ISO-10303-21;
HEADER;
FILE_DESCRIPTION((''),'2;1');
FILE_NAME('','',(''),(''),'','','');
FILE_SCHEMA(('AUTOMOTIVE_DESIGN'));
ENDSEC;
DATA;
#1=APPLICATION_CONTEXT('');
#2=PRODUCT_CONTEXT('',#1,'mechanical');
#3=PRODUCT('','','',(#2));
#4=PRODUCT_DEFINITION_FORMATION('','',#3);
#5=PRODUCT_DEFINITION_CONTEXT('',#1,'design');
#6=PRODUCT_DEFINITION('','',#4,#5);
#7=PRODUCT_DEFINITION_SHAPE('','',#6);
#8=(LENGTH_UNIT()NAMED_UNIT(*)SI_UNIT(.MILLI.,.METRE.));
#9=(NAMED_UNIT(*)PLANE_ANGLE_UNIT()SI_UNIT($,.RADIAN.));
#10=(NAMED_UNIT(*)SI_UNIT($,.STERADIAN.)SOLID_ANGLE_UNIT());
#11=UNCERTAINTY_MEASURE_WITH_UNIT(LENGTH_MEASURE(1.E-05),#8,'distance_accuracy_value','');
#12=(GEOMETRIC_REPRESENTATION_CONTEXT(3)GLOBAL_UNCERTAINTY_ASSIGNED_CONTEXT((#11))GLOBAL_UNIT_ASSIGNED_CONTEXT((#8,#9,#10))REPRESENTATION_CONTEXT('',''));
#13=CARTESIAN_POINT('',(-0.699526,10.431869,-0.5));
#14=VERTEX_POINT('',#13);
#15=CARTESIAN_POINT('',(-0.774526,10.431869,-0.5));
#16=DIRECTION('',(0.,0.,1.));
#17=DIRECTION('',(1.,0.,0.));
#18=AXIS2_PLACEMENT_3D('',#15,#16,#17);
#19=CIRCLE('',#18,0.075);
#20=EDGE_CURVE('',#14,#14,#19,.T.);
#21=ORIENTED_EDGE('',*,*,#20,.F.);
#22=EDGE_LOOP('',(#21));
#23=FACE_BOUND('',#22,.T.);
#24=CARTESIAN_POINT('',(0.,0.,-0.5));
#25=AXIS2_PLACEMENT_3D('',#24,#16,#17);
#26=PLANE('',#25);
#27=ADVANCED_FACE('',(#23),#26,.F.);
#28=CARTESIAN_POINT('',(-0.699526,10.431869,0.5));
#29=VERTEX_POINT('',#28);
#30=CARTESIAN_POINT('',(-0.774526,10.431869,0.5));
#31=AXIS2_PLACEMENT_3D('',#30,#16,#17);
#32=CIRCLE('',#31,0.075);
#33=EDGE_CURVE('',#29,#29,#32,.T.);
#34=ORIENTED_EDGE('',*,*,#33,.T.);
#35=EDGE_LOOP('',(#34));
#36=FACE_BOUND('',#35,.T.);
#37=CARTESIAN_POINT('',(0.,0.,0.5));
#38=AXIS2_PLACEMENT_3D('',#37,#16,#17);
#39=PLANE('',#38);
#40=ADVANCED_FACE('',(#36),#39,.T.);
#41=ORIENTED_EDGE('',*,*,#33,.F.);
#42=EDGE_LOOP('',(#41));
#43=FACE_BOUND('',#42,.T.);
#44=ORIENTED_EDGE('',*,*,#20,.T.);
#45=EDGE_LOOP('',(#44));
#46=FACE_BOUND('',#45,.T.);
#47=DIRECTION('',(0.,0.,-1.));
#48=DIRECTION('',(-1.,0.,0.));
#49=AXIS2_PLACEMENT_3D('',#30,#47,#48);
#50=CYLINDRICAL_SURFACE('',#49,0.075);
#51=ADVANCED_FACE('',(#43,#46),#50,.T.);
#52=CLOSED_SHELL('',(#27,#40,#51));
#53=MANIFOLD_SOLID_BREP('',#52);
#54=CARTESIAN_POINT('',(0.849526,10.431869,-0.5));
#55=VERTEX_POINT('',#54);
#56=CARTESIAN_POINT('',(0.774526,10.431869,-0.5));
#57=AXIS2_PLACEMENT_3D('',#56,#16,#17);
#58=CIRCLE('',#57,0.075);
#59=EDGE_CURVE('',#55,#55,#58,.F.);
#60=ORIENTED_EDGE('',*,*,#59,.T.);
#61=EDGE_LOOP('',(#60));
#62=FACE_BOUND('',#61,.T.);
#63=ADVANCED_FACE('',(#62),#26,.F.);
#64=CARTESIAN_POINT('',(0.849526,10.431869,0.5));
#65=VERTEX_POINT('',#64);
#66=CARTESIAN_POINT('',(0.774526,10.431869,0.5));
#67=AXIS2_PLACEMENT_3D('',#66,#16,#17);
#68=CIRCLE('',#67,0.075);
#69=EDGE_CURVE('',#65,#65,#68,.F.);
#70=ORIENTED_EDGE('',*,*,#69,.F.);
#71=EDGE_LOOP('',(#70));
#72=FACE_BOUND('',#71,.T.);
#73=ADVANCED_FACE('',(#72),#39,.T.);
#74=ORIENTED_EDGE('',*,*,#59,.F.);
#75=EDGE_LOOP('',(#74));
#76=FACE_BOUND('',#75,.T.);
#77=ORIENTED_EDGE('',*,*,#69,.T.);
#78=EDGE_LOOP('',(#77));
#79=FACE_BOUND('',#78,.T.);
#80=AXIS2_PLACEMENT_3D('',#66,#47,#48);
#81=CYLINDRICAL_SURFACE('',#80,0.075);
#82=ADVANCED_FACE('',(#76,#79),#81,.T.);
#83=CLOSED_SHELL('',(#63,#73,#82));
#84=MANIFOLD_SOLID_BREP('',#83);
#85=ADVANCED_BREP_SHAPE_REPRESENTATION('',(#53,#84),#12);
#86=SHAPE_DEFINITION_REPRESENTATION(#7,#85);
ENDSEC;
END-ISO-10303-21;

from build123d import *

# Parameters (mm, degrees)
SKETCH1_R             = 0.075
BOSS_EXTRUDE1_DEPTH   = 0.5
BOSS_EXTRUDE1_2_DEPTH = 0.5


with BuildPart() as part:
    # Sketch1 → Boss-Extrude1 (new, symmetric)
    with BuildSketch(Plane.XY):
        with Locations((-0.774525591, 10.431869079)):
            Circle(SKETCH1_R)
    extrude(amount=BOSS_EXTRUDE1_DEPTH, both=True)


with BuildPart() as body_2:
    # Sketch1 → Boss-Extrude1 2 (new, symmetric)
    with BuildSketch(Plane.XY):
        with Locations((0.774525591, 10.431869079)):
            Circle(SKETCH1_R)
    extrude(amount=BOSS_EXTRUDE1_2_DEPTH, both=True)


solid = Compound([part.part, body_2.part])
